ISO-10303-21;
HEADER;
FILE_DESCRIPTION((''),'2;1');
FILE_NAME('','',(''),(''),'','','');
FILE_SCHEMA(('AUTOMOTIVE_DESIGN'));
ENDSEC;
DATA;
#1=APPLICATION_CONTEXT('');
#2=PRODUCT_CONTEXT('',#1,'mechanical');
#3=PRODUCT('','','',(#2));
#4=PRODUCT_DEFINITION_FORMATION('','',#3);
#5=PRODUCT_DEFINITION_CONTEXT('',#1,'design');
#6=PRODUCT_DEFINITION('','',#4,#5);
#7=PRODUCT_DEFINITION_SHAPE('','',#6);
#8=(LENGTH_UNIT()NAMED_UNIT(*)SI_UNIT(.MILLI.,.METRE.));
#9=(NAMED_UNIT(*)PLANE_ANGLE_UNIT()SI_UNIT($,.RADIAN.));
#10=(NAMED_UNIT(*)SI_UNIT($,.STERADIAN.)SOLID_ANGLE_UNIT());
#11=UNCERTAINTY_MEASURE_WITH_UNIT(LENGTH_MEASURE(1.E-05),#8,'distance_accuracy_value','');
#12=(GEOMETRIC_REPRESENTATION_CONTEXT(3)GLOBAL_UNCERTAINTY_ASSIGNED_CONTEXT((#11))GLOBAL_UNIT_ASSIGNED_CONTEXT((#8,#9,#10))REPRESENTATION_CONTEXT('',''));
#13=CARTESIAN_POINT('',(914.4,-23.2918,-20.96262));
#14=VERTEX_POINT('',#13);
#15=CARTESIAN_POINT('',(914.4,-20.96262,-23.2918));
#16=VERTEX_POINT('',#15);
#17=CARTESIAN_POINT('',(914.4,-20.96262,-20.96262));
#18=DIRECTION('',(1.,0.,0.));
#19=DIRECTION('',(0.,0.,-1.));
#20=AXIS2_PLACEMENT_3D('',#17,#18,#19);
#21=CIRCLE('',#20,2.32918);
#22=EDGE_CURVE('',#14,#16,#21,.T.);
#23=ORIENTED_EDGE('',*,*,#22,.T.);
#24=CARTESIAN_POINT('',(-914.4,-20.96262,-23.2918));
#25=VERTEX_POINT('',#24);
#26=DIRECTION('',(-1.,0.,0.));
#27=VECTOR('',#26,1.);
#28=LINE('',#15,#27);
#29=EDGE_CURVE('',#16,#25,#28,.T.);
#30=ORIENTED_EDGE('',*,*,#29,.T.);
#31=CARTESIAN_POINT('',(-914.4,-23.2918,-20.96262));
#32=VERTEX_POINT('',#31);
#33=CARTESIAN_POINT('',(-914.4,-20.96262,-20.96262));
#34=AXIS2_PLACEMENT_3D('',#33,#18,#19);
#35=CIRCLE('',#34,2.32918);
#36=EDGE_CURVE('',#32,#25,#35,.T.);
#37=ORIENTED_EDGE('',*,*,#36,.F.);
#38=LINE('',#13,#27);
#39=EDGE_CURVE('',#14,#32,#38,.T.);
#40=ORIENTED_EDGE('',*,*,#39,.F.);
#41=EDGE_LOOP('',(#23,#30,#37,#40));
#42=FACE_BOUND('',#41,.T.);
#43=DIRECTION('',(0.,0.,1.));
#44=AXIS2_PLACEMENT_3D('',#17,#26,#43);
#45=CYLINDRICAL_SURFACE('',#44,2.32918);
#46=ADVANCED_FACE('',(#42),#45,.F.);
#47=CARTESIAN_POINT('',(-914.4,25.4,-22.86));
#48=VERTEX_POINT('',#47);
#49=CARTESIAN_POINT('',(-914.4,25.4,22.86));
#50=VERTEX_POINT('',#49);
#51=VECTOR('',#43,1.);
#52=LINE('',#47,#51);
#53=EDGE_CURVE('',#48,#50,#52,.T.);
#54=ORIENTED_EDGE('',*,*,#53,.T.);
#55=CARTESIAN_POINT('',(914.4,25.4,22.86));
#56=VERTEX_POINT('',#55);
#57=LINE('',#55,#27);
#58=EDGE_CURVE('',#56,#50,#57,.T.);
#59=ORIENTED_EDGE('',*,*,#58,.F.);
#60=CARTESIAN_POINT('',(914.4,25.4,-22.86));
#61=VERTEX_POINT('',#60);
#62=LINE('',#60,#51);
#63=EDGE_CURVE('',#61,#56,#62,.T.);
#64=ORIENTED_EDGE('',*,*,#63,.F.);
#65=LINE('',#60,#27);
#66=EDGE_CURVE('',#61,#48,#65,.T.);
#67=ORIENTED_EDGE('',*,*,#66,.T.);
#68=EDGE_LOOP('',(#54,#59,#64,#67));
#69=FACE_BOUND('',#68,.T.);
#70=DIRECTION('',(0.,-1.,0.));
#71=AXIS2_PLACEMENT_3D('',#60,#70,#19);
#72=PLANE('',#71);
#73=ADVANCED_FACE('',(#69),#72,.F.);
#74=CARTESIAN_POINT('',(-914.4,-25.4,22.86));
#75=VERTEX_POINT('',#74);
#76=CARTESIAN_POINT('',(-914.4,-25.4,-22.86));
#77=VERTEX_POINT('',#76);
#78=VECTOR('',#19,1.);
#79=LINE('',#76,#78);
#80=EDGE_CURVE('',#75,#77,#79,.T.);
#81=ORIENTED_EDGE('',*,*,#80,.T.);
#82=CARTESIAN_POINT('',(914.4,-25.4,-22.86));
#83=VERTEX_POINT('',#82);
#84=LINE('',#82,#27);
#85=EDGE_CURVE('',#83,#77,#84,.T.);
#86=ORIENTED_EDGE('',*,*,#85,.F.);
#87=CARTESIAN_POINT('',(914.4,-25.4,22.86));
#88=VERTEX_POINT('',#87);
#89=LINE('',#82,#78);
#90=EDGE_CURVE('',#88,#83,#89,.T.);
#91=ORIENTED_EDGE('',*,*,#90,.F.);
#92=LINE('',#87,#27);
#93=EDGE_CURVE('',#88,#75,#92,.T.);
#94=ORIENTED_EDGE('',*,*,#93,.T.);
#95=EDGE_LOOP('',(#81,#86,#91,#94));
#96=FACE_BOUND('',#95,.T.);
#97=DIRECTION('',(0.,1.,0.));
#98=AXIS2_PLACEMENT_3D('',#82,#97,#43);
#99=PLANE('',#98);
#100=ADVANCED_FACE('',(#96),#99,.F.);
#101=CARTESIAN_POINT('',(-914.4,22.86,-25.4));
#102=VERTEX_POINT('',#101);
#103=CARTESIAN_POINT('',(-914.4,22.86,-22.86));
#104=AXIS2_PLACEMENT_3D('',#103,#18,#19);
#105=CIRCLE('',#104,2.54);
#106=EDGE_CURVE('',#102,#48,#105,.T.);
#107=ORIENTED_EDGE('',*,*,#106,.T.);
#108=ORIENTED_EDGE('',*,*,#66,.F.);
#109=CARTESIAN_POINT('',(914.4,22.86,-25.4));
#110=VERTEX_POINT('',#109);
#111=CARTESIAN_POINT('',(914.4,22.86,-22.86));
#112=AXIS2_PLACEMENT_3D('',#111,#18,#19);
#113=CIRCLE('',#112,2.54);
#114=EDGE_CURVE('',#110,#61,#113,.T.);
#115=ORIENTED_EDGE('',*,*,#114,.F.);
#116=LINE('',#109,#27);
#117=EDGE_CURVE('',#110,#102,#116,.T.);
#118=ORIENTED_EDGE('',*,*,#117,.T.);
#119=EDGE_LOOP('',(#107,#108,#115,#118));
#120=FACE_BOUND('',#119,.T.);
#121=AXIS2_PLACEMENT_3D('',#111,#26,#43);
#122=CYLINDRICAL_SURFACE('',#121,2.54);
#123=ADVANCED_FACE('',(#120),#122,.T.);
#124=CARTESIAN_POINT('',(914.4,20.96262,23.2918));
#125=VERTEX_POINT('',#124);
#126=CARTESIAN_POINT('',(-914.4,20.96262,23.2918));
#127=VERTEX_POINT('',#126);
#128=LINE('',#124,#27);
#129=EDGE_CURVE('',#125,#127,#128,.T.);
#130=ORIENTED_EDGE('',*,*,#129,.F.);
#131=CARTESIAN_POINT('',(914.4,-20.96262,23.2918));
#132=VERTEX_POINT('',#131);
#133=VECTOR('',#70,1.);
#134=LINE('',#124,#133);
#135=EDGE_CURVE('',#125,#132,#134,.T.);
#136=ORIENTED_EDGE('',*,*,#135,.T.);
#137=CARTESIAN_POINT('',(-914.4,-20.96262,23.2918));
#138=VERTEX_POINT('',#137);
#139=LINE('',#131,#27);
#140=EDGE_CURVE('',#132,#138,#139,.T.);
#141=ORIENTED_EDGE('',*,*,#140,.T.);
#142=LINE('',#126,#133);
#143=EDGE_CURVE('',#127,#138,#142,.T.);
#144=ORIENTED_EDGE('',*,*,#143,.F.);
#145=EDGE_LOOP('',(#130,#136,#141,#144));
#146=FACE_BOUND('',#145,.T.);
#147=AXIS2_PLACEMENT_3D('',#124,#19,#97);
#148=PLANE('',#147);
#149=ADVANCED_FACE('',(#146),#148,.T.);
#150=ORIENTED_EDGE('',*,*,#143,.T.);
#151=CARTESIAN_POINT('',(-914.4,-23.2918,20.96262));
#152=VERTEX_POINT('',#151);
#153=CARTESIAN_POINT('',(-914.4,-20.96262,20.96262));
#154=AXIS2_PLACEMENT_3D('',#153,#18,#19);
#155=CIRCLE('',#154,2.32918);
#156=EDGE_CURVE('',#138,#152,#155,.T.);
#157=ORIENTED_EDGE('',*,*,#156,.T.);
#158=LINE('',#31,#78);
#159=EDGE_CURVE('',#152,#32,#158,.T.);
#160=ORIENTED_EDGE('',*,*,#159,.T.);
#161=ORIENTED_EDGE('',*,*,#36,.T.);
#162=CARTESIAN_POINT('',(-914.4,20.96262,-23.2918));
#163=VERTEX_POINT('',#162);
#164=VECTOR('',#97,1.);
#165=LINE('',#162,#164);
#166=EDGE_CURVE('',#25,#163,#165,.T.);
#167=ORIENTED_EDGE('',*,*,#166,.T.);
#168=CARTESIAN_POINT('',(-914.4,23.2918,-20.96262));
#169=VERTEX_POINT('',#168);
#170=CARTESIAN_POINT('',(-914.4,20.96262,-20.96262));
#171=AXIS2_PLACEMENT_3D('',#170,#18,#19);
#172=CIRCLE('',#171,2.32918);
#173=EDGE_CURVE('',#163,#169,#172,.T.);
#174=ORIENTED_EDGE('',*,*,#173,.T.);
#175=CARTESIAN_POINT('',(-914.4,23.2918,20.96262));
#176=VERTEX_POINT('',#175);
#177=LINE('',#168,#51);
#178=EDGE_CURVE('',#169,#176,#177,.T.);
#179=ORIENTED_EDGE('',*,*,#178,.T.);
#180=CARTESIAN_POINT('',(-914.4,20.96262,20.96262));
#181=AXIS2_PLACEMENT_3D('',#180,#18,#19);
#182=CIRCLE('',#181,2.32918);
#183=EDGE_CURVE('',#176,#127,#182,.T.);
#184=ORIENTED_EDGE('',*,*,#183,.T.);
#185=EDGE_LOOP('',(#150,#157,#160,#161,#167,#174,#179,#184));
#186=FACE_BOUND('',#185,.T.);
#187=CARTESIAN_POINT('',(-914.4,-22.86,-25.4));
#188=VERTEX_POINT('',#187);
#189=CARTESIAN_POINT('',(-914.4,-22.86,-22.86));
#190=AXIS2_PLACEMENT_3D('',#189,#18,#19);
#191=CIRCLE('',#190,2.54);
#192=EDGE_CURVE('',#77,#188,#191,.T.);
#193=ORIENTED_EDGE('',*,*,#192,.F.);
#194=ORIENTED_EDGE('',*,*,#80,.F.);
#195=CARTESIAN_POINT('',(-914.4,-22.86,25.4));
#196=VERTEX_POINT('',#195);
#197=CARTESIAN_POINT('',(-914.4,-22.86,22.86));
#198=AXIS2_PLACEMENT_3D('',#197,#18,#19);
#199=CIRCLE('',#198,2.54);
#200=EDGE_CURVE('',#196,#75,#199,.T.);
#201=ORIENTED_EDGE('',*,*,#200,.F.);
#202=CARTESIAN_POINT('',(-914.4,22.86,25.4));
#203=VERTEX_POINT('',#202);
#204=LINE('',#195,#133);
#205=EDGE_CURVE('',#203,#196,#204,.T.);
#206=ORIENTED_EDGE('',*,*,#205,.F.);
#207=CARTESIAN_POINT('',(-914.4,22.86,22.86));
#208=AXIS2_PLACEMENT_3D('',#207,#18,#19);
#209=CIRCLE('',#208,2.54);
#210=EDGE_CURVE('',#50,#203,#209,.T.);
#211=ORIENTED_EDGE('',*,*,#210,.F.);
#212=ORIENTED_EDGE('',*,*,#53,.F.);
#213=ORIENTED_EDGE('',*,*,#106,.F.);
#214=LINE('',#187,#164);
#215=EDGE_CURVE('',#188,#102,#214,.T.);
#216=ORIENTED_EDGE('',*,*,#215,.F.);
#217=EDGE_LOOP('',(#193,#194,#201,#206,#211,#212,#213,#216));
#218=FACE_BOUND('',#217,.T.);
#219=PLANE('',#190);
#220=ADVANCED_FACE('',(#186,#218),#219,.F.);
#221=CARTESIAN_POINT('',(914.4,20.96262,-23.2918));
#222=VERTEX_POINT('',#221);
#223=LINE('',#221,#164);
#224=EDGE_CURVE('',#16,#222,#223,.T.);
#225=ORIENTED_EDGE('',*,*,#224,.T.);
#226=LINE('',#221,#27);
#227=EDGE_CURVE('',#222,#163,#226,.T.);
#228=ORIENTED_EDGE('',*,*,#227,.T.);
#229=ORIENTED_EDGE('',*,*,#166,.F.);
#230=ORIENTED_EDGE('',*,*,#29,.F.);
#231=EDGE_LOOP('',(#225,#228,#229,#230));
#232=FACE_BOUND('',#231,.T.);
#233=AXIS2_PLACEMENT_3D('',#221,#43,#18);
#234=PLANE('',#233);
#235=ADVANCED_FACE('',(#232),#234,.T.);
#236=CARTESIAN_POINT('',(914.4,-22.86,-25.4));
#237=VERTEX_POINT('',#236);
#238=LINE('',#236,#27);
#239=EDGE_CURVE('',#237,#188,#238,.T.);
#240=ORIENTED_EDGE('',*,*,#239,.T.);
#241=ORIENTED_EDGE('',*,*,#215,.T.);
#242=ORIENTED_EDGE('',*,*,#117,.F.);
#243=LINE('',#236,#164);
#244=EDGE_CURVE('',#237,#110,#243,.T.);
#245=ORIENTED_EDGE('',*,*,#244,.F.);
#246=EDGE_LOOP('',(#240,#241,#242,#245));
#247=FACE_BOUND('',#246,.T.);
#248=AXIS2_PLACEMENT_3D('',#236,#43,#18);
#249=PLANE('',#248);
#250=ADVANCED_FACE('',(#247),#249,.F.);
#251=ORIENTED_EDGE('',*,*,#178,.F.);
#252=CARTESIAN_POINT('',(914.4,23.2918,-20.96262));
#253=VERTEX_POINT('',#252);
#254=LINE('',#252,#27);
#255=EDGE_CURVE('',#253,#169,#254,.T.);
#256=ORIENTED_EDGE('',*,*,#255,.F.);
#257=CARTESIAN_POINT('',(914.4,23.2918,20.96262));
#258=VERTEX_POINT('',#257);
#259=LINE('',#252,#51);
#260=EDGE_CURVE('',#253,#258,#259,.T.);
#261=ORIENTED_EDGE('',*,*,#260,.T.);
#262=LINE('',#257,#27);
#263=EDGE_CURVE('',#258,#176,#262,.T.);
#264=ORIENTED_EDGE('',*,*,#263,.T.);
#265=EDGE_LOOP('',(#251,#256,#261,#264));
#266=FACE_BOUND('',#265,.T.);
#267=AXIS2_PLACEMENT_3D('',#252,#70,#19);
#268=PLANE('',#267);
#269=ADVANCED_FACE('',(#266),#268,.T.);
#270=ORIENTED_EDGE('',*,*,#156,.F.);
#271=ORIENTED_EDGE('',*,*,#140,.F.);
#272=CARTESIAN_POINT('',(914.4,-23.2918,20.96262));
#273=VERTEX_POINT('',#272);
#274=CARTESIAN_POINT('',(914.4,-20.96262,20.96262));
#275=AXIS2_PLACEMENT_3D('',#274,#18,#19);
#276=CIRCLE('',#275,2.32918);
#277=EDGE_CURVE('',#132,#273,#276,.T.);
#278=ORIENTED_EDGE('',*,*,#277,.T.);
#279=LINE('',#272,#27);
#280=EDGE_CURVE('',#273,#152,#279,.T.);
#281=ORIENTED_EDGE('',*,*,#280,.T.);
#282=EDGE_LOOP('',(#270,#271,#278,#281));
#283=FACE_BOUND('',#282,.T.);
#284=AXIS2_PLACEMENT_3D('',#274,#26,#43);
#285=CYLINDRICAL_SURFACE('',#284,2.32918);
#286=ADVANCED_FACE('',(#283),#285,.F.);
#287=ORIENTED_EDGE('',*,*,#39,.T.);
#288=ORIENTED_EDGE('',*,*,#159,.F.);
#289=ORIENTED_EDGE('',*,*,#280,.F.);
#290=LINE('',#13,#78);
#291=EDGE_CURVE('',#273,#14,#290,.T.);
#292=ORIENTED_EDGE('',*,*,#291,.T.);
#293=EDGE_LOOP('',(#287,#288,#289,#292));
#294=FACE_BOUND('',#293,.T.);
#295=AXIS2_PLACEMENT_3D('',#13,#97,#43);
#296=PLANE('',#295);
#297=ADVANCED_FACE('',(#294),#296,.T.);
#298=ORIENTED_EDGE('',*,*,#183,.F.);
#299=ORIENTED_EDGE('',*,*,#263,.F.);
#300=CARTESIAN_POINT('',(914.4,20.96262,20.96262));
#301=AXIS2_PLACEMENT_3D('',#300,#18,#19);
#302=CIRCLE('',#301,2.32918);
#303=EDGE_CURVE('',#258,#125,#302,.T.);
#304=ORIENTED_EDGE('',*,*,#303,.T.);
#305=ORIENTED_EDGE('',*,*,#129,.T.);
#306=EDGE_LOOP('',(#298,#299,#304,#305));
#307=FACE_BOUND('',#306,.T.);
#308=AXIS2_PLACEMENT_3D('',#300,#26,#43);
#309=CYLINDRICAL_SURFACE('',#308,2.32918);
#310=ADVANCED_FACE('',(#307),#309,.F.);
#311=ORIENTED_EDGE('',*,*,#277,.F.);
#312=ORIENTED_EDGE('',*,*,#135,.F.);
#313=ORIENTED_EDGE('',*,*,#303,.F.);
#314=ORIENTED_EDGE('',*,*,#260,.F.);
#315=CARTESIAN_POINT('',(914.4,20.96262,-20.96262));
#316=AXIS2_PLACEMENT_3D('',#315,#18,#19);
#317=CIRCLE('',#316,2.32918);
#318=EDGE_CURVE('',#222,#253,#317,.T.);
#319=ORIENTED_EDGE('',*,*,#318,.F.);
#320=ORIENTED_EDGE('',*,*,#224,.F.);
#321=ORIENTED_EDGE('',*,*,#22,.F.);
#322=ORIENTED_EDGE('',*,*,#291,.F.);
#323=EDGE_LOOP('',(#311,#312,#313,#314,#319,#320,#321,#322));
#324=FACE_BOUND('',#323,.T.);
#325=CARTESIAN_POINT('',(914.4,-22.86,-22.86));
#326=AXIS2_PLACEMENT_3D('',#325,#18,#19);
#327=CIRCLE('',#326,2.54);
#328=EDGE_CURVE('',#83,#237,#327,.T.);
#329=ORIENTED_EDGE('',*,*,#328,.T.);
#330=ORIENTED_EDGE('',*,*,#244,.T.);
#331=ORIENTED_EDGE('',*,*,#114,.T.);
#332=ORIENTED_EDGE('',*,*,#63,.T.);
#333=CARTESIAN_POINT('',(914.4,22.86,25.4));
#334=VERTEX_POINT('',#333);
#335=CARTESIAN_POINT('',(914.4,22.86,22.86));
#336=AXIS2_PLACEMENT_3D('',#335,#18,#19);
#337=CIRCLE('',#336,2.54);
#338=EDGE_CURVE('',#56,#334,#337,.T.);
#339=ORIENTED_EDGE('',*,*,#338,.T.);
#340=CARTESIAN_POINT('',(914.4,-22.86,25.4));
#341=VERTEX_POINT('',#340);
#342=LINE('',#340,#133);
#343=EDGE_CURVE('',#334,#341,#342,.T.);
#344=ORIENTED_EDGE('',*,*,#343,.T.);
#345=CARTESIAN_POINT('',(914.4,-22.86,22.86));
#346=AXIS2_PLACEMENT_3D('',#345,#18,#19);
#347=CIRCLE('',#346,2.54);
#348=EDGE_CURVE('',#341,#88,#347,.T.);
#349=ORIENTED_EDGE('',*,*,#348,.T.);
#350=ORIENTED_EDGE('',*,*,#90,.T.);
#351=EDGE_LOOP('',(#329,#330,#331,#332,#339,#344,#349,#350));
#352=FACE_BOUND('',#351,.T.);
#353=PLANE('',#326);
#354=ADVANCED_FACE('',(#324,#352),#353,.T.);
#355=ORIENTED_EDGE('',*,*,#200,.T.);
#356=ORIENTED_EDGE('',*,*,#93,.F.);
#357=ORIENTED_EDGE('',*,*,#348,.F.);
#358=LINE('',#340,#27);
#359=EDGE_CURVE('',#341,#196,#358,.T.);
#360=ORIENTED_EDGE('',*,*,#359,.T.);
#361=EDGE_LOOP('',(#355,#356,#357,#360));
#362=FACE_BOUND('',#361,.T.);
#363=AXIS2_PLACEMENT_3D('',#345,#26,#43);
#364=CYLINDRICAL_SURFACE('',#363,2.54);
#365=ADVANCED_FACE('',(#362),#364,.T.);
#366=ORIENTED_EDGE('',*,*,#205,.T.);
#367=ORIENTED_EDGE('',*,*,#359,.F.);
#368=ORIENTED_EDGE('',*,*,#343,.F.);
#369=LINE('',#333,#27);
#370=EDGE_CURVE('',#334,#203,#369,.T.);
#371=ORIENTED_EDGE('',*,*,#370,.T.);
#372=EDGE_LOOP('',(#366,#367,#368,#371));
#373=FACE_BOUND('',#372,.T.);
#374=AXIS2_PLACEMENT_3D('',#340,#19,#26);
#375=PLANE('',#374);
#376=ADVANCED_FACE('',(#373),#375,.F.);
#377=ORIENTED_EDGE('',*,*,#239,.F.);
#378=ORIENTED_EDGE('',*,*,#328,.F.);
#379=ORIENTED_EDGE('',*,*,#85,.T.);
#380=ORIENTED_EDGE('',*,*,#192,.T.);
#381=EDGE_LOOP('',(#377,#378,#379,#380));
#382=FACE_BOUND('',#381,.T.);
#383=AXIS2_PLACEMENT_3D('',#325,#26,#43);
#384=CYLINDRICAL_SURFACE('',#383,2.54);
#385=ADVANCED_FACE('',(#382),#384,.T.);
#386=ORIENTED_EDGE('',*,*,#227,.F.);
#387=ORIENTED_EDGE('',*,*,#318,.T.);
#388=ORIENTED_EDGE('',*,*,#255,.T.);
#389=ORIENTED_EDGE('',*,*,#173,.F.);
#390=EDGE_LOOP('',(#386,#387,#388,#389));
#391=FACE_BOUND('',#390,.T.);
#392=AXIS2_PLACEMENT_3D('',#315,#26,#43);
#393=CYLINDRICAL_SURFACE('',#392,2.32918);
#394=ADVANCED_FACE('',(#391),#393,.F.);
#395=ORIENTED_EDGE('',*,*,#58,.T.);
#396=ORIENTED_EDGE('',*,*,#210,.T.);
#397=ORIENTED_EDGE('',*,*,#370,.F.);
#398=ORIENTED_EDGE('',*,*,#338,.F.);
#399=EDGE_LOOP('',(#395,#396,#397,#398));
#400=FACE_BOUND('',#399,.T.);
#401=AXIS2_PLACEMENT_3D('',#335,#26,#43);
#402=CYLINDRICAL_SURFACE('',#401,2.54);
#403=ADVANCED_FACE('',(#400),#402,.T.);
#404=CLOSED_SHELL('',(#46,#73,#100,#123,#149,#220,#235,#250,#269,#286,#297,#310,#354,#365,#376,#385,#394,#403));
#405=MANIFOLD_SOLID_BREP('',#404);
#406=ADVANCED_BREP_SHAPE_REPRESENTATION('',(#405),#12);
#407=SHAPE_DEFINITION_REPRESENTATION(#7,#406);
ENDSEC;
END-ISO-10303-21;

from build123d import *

# Parameters (mm, degrees)
BOSS_EXTRUDE1_DEPTH      = 914.4
BOSS_EXTRUDE1_DEPTH_BACK = 914.4


with BuildPart() as part:
    # Sketch4 → Boss-Extrude1 (new, two sides: drawn at the far end of the back side and taken through both)
    with BuildSketch(Plane(origin=(0, 0, 0), x_dir=(0, 0, -1), z_dir=(1, 0, 0)).offset(-BOSS_EXTRUDE1_DEPTH_BACK)):
        with BuildLine():
            Line((25.4, -22.86), (25.4, 22.86))
            ThreePointArc((25.4, 22.86), (24.656051224, 24.656051224), (22.86, 25.4))
            Line((22.86, 25.4), (-22.86, 25.4))
            ThreePointArc((-22.86, 25.4), (-24.656051224, 24.656051224), (-25.4, 22.86))
            Line((-25.4, 22.86), (-25.4, -22.86))
            ThreePointArc((-25.4, -22.86), (-24.656051224, -24.656051224), (-22.86, -25.4))
            Line((-22.86, -25.4), (22.86, -25.4))
            ThreePointArc((22.86, -25.4), (24.656051224, -24.656051224), (25.4, -22.86))
        make_face()
        with BuildLine():
            Line((23.2918, 20.96262), (23.2918, -20.96262))
            ThreePointArc((23.2918, -20.96262), (22.609598973, -22.609598973), (20.96262, -23.2918))
            Line((20.96262, -23.2918), (-20.96262, -23.2918))
            ThreePointArc((-20.96262, -23.2918), (-22.609598973, -22.609598973), (-23.2918, -20.96262))
            Line((-23.2918, -20.96262), (-23.2918, 20.96262))
            ThreePointArc((-23.2918, 20.96262), (-22.609598973, 22.609598973), (-20.96262, 23.2918))
            Line((-20.96262, 23.2918), (20.96262, 23.2918))
            ThreePointArc((20.96262, 23.2918), (22.609598973, 22.609598973), (23.2918, 20.96262))
        make_face(mode=Mode.SUBTRACT)
    extrude(amount=BOSS_EXTRUDE1_DEPTH + BOSS_EXTRUDE1_DEPTH_BACK)


solid = part.part
